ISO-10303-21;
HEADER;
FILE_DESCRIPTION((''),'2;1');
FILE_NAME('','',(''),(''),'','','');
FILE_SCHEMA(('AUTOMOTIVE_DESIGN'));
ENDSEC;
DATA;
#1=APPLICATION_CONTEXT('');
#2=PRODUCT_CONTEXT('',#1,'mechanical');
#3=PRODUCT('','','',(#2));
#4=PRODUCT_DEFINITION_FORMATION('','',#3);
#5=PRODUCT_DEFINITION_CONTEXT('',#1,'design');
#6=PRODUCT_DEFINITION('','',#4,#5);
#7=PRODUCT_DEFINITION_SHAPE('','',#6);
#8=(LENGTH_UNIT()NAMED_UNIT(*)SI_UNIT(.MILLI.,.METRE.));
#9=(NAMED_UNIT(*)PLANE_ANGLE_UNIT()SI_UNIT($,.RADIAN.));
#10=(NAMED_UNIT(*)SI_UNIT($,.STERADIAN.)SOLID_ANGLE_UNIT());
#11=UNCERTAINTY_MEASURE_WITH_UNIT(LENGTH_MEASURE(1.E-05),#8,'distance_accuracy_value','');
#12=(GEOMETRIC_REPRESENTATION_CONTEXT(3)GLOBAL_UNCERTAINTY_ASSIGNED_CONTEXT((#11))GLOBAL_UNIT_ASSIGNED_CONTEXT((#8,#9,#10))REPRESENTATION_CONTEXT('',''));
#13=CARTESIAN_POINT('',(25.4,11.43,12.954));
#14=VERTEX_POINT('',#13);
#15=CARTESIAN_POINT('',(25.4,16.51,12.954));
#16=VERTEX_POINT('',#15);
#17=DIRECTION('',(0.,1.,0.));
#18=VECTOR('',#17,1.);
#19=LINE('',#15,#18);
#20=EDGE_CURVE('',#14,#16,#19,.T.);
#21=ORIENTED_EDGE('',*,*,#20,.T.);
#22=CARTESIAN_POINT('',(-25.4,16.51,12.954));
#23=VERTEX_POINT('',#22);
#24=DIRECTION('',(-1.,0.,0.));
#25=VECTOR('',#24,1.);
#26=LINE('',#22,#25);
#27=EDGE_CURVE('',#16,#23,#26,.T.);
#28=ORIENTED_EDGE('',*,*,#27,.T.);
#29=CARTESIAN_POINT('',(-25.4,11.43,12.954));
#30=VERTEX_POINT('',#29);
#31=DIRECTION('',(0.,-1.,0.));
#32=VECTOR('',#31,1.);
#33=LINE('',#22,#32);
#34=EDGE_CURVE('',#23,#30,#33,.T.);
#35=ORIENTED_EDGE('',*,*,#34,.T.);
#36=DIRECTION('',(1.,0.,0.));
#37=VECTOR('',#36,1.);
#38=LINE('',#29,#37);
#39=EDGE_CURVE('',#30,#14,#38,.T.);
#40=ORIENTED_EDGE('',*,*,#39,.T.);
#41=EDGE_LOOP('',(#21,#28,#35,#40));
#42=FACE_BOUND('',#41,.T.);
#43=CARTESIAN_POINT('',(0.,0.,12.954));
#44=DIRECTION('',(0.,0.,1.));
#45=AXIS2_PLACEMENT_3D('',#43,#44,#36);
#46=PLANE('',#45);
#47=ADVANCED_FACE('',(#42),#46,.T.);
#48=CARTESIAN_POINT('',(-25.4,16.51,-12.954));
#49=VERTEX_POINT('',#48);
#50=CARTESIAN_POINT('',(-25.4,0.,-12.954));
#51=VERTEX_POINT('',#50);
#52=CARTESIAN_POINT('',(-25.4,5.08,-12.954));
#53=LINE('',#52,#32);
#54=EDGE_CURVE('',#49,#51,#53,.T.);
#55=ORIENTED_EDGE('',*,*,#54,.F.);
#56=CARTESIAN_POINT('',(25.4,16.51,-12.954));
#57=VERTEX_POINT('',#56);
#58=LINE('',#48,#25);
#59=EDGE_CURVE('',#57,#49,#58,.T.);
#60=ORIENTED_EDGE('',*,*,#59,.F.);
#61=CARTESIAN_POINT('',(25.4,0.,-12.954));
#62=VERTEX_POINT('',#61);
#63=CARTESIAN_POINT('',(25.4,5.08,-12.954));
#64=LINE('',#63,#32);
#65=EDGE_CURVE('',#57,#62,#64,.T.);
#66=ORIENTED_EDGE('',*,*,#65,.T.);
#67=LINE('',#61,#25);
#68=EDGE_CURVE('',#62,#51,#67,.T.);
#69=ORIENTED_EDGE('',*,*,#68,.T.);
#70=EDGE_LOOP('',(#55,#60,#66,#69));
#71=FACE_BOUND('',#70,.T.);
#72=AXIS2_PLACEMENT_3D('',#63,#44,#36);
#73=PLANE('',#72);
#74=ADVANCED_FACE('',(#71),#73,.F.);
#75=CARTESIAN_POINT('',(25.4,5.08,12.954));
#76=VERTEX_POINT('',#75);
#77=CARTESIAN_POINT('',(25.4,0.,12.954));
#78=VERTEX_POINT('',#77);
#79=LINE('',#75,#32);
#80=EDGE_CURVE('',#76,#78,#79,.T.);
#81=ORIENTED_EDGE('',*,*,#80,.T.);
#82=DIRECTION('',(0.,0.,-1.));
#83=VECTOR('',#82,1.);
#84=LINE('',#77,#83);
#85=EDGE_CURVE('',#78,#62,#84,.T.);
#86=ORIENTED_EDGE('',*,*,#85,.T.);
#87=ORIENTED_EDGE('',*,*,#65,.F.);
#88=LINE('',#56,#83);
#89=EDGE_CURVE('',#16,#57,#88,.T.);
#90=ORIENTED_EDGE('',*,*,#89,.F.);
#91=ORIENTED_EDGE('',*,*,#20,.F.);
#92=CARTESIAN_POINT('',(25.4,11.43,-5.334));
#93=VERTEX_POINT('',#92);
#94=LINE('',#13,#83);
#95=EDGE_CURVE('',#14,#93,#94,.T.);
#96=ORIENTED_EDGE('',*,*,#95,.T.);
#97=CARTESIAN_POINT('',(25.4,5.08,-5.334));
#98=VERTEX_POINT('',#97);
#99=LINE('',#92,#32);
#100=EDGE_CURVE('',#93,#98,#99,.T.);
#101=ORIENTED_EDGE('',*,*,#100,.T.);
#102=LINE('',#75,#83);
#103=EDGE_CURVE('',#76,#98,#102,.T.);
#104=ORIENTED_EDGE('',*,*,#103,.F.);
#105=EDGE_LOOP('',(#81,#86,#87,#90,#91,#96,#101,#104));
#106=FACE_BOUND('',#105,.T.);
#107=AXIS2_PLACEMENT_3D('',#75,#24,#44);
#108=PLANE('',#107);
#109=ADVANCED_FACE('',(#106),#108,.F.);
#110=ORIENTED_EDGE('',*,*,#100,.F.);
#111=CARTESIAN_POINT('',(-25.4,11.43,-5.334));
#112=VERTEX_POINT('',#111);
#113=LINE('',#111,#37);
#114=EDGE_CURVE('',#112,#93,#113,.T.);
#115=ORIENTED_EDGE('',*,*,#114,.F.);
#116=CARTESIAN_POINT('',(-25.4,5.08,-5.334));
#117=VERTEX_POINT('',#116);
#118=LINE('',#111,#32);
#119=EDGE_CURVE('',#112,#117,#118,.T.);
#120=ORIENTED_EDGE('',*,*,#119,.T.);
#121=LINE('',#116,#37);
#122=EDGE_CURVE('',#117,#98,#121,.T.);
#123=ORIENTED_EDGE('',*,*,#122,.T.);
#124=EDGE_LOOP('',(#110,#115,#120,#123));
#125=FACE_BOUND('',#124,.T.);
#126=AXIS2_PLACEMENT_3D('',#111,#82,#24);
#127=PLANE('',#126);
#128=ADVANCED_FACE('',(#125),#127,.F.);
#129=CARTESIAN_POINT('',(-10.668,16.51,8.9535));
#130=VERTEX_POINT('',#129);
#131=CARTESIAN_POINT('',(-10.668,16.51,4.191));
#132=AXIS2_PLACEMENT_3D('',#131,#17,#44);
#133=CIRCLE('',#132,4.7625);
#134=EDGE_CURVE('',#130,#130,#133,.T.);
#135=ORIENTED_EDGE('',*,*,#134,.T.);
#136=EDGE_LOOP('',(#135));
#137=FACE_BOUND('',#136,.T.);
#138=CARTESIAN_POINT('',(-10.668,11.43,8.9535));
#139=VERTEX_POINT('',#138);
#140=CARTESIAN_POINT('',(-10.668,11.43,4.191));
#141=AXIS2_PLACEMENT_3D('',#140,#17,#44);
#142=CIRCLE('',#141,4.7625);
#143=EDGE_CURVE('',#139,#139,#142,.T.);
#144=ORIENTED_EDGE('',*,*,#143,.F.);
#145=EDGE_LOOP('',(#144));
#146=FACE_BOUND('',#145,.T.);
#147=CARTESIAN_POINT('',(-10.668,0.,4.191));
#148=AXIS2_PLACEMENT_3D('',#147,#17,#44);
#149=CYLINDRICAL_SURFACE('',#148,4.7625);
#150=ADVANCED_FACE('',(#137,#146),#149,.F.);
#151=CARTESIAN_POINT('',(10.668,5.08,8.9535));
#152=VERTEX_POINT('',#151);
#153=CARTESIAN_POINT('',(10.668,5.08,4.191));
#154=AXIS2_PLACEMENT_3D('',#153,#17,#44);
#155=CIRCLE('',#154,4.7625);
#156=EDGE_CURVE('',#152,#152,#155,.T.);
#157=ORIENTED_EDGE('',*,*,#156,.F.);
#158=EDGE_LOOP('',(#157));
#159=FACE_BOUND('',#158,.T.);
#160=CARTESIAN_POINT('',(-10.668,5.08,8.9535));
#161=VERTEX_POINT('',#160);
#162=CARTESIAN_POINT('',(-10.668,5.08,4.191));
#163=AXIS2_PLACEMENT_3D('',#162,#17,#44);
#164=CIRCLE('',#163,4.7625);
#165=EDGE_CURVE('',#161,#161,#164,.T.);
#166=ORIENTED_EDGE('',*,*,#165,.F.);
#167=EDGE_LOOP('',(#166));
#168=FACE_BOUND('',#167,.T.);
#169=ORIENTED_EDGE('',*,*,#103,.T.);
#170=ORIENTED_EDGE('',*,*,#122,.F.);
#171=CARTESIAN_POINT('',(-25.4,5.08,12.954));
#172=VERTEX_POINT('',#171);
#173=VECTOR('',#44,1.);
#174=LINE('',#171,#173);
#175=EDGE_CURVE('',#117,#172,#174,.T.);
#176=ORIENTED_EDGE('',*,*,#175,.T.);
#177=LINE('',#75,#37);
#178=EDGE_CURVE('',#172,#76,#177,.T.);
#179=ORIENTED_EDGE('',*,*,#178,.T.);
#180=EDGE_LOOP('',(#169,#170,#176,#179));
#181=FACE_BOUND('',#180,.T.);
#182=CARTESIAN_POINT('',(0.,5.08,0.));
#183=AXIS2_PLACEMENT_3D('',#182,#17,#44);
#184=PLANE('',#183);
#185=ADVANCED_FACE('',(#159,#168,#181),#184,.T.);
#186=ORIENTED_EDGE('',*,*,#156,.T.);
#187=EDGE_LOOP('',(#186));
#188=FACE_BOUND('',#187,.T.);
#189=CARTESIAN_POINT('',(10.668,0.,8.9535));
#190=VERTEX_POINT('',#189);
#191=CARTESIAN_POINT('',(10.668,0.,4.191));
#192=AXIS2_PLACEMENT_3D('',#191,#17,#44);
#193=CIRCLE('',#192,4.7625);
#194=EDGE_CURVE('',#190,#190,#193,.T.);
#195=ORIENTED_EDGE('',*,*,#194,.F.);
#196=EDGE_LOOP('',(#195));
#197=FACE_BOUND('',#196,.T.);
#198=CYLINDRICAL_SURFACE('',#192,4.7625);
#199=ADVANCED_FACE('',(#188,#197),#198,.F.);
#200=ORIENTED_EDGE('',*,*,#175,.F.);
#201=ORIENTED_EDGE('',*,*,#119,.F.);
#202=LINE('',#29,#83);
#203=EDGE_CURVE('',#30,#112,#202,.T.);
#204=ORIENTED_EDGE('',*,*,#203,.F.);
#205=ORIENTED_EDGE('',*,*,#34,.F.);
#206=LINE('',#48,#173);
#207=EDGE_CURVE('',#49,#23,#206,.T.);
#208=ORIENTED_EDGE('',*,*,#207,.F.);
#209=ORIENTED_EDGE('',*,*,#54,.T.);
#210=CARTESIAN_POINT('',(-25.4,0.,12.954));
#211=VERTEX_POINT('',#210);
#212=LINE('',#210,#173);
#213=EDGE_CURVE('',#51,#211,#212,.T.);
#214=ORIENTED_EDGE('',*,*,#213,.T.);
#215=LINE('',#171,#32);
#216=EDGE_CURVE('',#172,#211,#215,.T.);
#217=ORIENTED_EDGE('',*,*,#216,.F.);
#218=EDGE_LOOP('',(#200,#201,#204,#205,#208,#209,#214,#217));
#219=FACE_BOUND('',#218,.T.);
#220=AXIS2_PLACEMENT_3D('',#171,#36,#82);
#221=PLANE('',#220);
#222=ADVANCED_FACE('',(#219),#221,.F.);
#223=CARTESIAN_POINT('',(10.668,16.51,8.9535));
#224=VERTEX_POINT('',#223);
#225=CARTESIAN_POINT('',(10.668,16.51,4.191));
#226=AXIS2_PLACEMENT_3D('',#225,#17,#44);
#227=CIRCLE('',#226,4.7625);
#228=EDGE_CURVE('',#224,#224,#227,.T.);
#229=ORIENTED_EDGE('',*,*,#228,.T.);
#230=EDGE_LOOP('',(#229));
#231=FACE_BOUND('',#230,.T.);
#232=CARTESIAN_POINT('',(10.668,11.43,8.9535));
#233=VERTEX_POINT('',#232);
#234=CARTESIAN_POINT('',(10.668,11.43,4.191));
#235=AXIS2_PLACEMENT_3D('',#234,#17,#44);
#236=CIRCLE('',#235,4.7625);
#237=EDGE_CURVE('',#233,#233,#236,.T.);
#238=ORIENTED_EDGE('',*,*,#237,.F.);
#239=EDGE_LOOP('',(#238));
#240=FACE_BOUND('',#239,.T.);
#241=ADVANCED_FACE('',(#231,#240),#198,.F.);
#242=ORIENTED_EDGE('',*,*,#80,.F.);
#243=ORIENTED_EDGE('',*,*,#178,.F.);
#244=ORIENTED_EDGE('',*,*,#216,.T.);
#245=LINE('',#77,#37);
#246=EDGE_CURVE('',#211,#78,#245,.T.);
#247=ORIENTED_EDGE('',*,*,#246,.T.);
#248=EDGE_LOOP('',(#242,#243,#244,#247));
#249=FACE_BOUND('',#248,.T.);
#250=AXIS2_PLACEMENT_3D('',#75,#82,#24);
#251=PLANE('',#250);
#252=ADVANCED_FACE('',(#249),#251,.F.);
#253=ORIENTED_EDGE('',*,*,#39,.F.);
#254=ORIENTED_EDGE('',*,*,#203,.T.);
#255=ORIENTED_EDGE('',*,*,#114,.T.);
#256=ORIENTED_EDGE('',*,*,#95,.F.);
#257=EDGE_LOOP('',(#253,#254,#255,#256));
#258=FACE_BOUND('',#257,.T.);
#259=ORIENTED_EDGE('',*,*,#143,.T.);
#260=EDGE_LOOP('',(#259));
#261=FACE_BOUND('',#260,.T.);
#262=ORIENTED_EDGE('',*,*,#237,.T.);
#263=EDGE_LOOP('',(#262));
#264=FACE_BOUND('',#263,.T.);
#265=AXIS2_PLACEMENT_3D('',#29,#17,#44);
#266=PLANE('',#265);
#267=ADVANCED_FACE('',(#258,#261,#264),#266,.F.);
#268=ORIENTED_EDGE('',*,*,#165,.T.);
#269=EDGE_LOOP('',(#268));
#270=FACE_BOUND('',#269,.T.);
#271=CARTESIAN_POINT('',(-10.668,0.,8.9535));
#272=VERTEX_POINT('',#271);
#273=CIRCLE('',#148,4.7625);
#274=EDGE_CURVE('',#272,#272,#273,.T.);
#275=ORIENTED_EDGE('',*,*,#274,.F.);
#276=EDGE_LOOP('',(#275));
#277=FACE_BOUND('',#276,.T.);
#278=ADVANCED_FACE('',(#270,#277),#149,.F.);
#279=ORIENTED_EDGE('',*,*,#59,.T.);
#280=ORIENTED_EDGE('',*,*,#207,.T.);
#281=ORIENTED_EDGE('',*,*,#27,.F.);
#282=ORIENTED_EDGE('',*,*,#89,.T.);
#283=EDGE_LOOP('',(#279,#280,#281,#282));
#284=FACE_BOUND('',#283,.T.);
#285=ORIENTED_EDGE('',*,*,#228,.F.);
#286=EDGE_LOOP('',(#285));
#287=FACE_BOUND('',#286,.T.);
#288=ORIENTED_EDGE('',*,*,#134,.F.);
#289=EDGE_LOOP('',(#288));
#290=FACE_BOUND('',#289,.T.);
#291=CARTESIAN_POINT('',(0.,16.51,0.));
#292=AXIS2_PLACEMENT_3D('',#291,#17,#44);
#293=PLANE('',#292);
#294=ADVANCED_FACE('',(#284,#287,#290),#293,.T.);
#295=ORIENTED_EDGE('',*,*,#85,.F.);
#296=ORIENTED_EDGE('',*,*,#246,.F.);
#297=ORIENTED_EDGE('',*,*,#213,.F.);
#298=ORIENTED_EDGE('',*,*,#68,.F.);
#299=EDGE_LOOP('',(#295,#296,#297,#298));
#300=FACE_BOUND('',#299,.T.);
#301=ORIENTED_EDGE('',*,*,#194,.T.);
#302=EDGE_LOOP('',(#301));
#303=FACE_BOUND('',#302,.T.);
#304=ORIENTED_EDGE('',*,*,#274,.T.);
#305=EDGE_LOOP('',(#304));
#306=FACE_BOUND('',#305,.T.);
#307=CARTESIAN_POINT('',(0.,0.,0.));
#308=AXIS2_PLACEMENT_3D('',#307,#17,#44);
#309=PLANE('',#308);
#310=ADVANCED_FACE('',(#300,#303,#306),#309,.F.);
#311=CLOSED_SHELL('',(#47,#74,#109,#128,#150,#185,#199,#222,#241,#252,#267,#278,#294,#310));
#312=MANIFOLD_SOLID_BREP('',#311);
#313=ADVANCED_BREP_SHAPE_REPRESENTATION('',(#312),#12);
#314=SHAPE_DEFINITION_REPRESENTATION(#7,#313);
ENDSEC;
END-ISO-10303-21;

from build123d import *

# Parameters (mm, degrees)
SKETCH1_W           = 50.8
SKETCH1_H           = 25.908
BOSS_EXTRUDE1_DEPTH = 5.08
SKETCH2_W           = 50.8
SKETCH2_H           = 7.62
BOSS_EXTRUDE2_DEPTH = 6.35
SKETCH3_W           = 50.8
SKETCH3_H           = 7.62
BOSS_EXTRUDE3_DEPTH = 5.08
SKETCH4_W           = 50.8
SKETCH4_H           = 5.08
BOSS_EXTRUDE4_DEPTH = 18.288
SKETCH5_R           = 4.7625
CUT_EXTRUDE1_DEPTH  = 33.947628382


with BuildPart() as part:
    # Sketch1 → Boss-Extrude1 (new body)
    with BuildSketch(Plane(origin=(0, 0, 0), x_dir=(1, 0, 0), z_dir=(0, 1, 0))):
        Rectangle(SKETCH1_W, SKETCH1_H)
    extrude(amount=BOSS_EXTRUDE1_DEPTH)

    # Sketch2 → Boss-Extrude2 (add)
    with BuildSketch(Plane(origin=(0, 5.08, 0), x_dir=(1, 0, 0), z_dir=(0, 1, 0))):
        with Locations((0, 9.144)):
            Rectangle(SKETCH2_W, SKETCH2_H)
    extrude(amount=BOSS_EXTRUDE2_DEPTH)

    # Sketch3 → Boss-Extrude3 (add)
    with BuildSketch(Plane(origin=(0, 11.43, 0), x_dir=(1, 0, 0), z_dir=(0, 1, 0))):
        with Locations((0, 9.144)):
            Rectangle(SKETCH3_W, SKETCH3_H)
    extrude(amount=BOSS_EXTRUDE3_DEPTH)

    # Sketch4 → Boss-Extrude4 (add)
    with BuildSketch(Plane.XY.offset(-5.334)):
        with Locations((0, 13.97)):
            Rectangle(SKETCH4_W, SKETCH4_H)
    extrude(amount=BOSS_EXTRUDE4_DEPTH)

    # Sketch5 → Cut-Extrude1 (cut, through all)
    with BuildSketch(Plane(origin=(0, 16.51, 0), x_dir=(1, 0, 0), z_dir=(0, 1, 0))):
        with Locations(Location((-10.668, -4.191, 0), (0, 0, 270))):
            Circle(SKETCH5_R)
        with Locations(Location((10.668, -4.191, 0), (0, 0, 270))):
            Circle(SKETCH5_R)
    extrude(amount=-CUT_EXTRUDE1_DEPTH, mode=Mode.SUBTRACT)


solid = part.part
